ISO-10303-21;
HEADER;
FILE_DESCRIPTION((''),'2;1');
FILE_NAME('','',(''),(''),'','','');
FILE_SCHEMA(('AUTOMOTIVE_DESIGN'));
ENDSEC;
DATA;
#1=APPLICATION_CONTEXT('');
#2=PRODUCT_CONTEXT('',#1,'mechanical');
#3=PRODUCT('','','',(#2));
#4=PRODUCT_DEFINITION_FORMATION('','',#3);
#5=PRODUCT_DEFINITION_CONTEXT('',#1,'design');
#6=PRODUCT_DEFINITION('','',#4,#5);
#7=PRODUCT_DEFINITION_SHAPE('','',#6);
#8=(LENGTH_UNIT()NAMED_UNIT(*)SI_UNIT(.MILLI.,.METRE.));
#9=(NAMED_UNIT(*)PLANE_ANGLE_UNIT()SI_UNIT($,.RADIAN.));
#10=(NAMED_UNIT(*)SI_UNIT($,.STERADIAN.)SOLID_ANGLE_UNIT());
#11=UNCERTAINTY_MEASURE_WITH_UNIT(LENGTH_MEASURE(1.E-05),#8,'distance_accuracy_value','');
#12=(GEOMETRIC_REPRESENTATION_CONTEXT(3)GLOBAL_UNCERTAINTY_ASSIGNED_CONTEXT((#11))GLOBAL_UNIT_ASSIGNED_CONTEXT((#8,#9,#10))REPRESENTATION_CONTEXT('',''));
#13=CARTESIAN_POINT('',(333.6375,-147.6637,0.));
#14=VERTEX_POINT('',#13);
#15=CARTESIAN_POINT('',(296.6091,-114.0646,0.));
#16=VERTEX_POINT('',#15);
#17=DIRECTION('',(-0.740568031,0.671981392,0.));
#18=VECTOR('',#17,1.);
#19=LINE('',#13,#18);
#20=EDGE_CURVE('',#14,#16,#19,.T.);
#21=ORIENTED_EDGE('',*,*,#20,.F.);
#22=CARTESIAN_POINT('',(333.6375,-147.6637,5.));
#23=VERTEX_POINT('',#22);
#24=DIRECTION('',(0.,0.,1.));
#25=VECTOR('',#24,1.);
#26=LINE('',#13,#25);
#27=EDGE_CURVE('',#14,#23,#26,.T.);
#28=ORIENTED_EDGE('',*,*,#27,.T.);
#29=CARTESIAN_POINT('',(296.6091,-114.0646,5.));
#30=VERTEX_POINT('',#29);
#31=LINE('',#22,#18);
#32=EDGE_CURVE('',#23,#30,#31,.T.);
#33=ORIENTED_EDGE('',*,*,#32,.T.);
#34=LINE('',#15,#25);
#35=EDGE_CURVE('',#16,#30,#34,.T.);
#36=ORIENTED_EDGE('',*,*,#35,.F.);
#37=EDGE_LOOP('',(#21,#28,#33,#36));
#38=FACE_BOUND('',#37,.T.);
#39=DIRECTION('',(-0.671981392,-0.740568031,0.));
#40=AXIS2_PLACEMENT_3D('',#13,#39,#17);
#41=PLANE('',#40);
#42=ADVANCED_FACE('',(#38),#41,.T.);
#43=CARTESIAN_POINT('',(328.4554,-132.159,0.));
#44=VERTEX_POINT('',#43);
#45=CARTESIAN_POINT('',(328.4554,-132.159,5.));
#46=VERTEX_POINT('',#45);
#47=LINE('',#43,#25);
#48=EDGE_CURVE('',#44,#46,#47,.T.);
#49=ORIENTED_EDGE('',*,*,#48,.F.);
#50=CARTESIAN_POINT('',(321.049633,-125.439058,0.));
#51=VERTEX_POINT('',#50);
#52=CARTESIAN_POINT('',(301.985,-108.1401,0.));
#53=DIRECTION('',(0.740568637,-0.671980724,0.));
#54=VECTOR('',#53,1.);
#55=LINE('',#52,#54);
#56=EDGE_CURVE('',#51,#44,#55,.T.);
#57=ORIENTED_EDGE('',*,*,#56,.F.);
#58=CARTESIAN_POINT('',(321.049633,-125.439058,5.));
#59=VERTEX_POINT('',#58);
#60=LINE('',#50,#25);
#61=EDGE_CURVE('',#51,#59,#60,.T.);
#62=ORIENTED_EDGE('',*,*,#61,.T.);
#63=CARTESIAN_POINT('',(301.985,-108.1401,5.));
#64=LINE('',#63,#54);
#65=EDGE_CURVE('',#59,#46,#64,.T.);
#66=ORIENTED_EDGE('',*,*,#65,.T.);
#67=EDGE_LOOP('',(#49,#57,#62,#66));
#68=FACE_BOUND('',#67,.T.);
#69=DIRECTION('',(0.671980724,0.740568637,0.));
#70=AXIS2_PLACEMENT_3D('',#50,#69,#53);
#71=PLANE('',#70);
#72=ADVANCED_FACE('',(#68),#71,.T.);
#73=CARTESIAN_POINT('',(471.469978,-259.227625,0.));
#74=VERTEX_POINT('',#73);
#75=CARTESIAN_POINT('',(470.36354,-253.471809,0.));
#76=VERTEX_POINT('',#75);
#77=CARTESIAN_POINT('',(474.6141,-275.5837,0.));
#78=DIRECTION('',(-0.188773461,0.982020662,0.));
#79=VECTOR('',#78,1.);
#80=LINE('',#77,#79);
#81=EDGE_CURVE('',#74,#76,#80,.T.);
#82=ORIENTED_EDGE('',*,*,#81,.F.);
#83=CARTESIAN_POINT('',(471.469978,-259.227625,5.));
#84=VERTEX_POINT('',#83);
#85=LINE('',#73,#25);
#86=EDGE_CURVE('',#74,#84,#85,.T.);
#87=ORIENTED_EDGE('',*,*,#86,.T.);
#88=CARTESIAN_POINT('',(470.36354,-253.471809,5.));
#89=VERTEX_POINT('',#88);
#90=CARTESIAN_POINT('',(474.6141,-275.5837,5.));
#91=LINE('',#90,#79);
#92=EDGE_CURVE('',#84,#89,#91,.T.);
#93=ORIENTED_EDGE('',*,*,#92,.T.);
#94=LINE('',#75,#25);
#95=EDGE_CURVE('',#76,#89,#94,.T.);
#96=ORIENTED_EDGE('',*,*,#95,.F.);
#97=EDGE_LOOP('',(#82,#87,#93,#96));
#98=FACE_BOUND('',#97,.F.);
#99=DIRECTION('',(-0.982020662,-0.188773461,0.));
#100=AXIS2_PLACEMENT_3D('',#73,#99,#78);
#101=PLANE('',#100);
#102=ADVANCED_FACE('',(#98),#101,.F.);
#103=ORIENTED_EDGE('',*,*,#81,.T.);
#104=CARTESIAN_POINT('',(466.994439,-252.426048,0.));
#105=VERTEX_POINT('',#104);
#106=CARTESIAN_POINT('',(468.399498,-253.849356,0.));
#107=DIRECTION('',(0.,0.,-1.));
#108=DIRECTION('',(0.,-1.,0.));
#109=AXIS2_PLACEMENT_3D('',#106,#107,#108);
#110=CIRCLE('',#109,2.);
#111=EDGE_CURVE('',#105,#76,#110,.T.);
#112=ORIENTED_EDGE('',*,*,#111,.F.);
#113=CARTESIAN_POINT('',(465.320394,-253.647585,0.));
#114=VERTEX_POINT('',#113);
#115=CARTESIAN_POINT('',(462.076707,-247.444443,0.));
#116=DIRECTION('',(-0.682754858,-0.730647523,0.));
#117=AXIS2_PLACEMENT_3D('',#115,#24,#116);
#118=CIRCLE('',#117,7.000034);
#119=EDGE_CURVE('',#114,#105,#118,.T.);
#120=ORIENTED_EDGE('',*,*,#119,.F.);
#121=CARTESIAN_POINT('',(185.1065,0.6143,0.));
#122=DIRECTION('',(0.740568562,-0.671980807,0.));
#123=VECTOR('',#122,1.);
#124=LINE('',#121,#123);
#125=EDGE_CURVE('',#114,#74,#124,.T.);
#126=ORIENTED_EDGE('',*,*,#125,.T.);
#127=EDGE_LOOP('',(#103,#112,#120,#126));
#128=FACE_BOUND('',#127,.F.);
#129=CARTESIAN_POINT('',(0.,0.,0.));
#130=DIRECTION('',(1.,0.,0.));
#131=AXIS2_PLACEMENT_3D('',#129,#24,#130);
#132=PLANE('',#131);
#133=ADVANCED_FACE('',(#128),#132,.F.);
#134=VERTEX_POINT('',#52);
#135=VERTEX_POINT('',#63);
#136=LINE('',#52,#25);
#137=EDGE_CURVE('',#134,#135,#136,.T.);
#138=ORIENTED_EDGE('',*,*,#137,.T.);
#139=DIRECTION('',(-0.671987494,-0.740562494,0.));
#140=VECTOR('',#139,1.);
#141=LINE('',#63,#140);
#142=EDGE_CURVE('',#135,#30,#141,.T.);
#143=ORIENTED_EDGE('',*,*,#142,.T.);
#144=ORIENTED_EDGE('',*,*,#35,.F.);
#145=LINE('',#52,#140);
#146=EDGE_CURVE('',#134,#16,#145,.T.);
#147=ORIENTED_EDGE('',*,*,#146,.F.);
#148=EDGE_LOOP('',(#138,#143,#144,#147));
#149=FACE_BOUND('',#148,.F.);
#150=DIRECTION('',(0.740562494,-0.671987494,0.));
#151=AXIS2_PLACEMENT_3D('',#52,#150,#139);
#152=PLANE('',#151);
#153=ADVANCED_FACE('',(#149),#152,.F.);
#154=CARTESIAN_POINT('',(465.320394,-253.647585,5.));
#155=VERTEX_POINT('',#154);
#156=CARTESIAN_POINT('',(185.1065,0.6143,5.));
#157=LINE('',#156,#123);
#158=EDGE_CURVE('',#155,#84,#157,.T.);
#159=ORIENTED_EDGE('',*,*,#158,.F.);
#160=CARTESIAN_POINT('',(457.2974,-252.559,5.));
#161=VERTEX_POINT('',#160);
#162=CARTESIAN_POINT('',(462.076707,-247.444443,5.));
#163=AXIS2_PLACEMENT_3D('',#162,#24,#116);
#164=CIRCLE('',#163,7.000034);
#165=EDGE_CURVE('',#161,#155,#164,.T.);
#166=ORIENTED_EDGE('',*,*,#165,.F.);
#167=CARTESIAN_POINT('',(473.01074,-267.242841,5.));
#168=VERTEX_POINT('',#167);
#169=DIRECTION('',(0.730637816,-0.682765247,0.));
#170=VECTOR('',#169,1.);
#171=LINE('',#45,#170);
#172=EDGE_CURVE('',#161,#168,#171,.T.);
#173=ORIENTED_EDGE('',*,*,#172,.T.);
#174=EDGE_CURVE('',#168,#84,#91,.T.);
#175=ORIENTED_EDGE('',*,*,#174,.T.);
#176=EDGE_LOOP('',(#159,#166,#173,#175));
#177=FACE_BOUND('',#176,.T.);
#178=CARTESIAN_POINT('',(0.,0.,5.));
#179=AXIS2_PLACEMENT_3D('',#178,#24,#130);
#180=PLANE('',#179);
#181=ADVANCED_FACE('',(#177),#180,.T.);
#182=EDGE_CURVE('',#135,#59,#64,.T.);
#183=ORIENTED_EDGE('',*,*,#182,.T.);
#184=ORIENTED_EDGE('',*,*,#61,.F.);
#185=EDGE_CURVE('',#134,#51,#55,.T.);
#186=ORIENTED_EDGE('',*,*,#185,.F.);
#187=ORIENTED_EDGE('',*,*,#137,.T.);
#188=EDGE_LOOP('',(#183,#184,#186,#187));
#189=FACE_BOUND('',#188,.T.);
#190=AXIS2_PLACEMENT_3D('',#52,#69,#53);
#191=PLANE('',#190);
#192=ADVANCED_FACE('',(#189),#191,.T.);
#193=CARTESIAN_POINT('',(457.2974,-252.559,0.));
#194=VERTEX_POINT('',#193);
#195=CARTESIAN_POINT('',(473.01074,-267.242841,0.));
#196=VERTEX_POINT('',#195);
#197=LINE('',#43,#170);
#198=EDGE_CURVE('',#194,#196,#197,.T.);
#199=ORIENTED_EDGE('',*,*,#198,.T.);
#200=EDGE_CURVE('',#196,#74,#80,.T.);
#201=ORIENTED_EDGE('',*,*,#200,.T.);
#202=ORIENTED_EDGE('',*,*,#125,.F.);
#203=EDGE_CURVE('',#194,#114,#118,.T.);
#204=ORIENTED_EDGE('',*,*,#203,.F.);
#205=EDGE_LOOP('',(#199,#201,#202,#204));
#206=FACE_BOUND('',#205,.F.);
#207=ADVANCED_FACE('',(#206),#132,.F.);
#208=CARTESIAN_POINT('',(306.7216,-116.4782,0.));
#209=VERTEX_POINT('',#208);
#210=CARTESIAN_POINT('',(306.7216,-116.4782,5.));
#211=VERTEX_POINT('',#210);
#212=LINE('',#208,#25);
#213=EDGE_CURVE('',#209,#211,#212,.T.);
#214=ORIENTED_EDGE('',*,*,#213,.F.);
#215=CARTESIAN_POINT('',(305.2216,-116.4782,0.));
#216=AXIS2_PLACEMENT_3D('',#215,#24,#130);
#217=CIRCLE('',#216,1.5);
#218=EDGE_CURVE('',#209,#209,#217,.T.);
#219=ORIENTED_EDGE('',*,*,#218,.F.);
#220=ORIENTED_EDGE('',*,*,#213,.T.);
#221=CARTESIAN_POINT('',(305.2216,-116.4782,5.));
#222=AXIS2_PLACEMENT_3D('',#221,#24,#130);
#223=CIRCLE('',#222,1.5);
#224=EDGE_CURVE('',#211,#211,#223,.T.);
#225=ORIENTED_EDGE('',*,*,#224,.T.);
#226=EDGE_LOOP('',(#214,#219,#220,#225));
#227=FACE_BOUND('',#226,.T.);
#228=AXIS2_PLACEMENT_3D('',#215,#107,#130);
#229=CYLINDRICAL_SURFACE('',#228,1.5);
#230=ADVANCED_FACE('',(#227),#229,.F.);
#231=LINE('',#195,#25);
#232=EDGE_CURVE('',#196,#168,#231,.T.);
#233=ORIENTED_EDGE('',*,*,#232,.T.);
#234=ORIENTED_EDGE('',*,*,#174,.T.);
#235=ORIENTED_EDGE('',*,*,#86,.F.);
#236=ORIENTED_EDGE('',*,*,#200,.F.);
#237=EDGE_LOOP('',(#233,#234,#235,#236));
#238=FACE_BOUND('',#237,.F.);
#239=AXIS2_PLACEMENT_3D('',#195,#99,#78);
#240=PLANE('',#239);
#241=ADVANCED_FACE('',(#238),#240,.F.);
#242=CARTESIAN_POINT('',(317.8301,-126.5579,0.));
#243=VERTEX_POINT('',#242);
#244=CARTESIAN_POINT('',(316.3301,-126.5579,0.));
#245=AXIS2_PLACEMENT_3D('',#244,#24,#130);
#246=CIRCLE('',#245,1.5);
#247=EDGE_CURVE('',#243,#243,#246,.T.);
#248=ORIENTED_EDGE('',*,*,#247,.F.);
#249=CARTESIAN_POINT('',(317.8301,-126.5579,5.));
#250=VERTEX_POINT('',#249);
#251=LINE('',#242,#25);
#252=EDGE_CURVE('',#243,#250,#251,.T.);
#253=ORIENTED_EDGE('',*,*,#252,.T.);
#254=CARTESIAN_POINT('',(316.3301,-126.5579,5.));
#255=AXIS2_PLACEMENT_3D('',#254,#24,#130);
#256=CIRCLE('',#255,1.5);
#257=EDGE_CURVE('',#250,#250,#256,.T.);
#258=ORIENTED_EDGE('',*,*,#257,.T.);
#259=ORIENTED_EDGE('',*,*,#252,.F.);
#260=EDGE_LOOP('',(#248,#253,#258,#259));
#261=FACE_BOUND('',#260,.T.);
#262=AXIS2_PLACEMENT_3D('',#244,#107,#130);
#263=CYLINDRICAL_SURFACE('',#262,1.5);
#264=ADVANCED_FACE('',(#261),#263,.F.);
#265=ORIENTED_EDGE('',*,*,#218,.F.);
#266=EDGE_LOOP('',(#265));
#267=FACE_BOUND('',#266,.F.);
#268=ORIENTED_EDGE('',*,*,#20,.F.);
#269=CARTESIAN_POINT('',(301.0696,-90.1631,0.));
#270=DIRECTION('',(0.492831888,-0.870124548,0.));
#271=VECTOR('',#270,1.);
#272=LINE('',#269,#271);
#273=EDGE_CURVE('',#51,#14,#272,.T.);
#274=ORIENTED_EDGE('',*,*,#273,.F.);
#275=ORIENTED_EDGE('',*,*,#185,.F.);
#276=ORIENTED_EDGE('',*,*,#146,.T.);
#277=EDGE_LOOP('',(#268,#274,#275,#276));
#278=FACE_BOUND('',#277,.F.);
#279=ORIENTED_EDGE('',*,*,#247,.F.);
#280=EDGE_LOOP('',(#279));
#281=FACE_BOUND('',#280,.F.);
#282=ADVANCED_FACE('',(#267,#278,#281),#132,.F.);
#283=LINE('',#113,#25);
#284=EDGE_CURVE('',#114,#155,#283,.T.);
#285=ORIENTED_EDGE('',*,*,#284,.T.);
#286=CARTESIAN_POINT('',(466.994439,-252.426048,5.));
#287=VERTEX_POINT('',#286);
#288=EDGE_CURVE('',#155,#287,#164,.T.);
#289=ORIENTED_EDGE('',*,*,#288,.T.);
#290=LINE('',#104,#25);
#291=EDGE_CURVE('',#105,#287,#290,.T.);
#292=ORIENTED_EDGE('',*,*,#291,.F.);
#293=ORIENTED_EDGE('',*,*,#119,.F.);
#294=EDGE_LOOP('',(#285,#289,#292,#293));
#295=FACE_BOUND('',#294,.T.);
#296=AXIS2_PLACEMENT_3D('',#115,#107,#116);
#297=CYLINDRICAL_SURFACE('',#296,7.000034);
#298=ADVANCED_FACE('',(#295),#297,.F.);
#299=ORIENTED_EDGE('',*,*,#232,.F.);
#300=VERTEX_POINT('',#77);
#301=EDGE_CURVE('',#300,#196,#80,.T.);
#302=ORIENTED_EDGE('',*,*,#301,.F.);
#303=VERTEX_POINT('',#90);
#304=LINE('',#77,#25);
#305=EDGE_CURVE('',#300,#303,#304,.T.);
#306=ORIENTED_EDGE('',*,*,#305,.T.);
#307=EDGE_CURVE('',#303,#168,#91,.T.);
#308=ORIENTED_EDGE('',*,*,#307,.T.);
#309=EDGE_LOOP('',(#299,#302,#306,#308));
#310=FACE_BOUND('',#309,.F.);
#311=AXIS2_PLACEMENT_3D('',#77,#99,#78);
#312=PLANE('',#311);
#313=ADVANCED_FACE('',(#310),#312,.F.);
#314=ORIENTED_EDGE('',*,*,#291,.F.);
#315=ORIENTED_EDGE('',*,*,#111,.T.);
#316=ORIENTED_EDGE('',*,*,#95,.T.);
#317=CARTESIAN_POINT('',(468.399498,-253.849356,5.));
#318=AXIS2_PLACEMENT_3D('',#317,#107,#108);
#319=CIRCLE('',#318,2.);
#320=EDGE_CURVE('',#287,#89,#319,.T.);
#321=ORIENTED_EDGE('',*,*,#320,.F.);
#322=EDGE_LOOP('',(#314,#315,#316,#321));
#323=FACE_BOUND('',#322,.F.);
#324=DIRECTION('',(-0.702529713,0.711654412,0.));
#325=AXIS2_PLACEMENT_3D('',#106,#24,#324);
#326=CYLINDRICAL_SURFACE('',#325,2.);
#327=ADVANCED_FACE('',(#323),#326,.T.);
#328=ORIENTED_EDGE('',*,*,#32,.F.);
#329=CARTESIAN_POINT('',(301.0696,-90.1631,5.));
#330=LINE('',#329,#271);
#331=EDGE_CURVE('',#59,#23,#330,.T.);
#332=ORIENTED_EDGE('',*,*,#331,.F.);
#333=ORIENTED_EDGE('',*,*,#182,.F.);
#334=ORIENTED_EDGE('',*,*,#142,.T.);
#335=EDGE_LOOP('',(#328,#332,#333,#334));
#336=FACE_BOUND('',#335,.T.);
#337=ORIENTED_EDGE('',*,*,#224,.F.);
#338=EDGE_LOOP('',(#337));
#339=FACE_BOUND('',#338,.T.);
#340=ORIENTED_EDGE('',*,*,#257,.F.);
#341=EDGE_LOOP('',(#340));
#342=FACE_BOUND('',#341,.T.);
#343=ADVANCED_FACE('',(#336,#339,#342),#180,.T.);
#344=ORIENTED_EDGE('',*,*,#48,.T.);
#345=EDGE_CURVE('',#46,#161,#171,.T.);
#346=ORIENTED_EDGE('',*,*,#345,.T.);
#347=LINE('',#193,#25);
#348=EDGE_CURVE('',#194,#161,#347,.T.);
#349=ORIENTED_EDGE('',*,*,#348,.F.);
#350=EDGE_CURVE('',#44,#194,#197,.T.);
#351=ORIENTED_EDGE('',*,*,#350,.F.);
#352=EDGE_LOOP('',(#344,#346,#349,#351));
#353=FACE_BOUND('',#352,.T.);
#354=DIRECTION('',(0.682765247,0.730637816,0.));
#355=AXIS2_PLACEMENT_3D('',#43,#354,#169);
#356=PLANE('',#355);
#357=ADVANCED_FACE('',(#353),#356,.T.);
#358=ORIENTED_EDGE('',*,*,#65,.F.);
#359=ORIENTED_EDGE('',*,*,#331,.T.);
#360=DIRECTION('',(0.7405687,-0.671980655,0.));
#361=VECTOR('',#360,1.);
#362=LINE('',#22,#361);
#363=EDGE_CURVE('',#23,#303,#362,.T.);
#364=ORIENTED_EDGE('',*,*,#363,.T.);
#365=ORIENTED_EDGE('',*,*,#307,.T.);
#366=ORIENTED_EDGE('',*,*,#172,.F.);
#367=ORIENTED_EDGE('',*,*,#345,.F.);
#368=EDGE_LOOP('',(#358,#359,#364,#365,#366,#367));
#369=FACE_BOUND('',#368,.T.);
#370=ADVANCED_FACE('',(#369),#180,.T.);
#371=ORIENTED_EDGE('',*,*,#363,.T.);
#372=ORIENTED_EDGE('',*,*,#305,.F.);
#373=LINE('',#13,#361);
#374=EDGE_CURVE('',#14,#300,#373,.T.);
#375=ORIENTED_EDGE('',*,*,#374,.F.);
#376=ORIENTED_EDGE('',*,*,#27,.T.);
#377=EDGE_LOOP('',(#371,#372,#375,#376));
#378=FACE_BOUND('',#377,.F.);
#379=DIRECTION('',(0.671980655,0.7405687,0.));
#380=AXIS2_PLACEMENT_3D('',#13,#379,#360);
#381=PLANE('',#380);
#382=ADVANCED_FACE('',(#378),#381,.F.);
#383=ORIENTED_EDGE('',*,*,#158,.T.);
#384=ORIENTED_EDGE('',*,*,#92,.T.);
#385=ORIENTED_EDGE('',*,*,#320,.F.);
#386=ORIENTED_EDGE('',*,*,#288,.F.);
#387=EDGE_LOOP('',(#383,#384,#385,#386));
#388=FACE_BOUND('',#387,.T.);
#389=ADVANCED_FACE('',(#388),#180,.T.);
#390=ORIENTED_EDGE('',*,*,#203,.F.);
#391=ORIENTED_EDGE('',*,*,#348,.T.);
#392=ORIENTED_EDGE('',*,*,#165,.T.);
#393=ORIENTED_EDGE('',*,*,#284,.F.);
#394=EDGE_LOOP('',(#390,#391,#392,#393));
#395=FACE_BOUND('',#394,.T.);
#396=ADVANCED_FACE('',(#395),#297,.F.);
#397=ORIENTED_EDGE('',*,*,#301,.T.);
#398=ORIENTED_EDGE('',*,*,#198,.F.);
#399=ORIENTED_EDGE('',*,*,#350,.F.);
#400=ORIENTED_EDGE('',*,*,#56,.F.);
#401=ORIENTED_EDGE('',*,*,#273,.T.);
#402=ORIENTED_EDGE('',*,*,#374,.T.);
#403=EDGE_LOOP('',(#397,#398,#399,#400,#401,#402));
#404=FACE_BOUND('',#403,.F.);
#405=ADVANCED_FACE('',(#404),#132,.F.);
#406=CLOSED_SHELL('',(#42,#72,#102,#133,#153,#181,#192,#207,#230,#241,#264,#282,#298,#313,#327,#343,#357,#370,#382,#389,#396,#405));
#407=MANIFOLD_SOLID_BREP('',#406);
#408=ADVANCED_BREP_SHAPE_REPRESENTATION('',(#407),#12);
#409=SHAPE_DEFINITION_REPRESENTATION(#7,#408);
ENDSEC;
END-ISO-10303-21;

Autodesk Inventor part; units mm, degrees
ref_plane "YZ Plane" through (0, 0, 0) normal (1, 0, 0) x (0, 1, 0)
ref_plane "XZ Plane" through (0, 0, 0) normal (0, 1, 0) x (-1, 0, 0)
ref_plane "XY Plane" through (0, 0, 0) normal (0, 0, 1) x (1, 0, 0)
sketch "スケッチ2" plane through (0, 0, 0) normal (0, 0, 1) x (1, 0, 0)
  line L0 (301.9981, -108.1255) -> (298.4342, -112.0532) construction
  line L1 (301.985, -108.1401) -> (343.1845, -145.5239)
  line L2 (185.1065, 0.6143) -> (481.3339, -268.178)
  line L3 (481.3339, -268.178) -> (468.2939, -282.5491)
  line L4 (333.6375, -147.6637) -> (289.2034, -107.3448)
  line L5 (333.6375, -147.6637) -> (474.6141, -275.5837)
  line L6 (301.985, -108.1401) -> (296.6091, -114.0646)
  line L7 (328.4554, -132.159) -> (477.974, -271.8809)
  line L8 (301.0696, -90.1631) -> (333.6375, -147.6637)
  line L9 (474.6141, -275.5837) -> (468.9509, -246.1231)
  arc A0 (457.2974, -252.559) -> (468.9509, -246.1231) centre (462.0767, -247.4445) ccw
  circle A1 centre (305.2216, -116.4782) radius 1.5
  circle A2 centre (316.3301, -126.5579) radius 1.5
  point P0 (0, 0)
  point P1 (0, 0)
  point P2 (321.0497, -125.4392)
  point P3 (299.297, -111.1023)
  point P4 (300.2162, -110.0894)
  dimension "d4" = 5
  dimension "d5" = 10
  dimension "d6" = 7
  dimension "d7" = 30
extrude "押し出し1" add sketch "スケッチ2" along normal blind 5 contours L1 L8 L4 L6 | L1 L7 L9 L5 L8 | A0 L2 L9 L7 | A0 L9 L2
fillet "フィレット1" radius 2 1 edges at (468.9509, -246.1231, 2.5)
properties part number "アーム先端" material "アルミニウム 7075"
